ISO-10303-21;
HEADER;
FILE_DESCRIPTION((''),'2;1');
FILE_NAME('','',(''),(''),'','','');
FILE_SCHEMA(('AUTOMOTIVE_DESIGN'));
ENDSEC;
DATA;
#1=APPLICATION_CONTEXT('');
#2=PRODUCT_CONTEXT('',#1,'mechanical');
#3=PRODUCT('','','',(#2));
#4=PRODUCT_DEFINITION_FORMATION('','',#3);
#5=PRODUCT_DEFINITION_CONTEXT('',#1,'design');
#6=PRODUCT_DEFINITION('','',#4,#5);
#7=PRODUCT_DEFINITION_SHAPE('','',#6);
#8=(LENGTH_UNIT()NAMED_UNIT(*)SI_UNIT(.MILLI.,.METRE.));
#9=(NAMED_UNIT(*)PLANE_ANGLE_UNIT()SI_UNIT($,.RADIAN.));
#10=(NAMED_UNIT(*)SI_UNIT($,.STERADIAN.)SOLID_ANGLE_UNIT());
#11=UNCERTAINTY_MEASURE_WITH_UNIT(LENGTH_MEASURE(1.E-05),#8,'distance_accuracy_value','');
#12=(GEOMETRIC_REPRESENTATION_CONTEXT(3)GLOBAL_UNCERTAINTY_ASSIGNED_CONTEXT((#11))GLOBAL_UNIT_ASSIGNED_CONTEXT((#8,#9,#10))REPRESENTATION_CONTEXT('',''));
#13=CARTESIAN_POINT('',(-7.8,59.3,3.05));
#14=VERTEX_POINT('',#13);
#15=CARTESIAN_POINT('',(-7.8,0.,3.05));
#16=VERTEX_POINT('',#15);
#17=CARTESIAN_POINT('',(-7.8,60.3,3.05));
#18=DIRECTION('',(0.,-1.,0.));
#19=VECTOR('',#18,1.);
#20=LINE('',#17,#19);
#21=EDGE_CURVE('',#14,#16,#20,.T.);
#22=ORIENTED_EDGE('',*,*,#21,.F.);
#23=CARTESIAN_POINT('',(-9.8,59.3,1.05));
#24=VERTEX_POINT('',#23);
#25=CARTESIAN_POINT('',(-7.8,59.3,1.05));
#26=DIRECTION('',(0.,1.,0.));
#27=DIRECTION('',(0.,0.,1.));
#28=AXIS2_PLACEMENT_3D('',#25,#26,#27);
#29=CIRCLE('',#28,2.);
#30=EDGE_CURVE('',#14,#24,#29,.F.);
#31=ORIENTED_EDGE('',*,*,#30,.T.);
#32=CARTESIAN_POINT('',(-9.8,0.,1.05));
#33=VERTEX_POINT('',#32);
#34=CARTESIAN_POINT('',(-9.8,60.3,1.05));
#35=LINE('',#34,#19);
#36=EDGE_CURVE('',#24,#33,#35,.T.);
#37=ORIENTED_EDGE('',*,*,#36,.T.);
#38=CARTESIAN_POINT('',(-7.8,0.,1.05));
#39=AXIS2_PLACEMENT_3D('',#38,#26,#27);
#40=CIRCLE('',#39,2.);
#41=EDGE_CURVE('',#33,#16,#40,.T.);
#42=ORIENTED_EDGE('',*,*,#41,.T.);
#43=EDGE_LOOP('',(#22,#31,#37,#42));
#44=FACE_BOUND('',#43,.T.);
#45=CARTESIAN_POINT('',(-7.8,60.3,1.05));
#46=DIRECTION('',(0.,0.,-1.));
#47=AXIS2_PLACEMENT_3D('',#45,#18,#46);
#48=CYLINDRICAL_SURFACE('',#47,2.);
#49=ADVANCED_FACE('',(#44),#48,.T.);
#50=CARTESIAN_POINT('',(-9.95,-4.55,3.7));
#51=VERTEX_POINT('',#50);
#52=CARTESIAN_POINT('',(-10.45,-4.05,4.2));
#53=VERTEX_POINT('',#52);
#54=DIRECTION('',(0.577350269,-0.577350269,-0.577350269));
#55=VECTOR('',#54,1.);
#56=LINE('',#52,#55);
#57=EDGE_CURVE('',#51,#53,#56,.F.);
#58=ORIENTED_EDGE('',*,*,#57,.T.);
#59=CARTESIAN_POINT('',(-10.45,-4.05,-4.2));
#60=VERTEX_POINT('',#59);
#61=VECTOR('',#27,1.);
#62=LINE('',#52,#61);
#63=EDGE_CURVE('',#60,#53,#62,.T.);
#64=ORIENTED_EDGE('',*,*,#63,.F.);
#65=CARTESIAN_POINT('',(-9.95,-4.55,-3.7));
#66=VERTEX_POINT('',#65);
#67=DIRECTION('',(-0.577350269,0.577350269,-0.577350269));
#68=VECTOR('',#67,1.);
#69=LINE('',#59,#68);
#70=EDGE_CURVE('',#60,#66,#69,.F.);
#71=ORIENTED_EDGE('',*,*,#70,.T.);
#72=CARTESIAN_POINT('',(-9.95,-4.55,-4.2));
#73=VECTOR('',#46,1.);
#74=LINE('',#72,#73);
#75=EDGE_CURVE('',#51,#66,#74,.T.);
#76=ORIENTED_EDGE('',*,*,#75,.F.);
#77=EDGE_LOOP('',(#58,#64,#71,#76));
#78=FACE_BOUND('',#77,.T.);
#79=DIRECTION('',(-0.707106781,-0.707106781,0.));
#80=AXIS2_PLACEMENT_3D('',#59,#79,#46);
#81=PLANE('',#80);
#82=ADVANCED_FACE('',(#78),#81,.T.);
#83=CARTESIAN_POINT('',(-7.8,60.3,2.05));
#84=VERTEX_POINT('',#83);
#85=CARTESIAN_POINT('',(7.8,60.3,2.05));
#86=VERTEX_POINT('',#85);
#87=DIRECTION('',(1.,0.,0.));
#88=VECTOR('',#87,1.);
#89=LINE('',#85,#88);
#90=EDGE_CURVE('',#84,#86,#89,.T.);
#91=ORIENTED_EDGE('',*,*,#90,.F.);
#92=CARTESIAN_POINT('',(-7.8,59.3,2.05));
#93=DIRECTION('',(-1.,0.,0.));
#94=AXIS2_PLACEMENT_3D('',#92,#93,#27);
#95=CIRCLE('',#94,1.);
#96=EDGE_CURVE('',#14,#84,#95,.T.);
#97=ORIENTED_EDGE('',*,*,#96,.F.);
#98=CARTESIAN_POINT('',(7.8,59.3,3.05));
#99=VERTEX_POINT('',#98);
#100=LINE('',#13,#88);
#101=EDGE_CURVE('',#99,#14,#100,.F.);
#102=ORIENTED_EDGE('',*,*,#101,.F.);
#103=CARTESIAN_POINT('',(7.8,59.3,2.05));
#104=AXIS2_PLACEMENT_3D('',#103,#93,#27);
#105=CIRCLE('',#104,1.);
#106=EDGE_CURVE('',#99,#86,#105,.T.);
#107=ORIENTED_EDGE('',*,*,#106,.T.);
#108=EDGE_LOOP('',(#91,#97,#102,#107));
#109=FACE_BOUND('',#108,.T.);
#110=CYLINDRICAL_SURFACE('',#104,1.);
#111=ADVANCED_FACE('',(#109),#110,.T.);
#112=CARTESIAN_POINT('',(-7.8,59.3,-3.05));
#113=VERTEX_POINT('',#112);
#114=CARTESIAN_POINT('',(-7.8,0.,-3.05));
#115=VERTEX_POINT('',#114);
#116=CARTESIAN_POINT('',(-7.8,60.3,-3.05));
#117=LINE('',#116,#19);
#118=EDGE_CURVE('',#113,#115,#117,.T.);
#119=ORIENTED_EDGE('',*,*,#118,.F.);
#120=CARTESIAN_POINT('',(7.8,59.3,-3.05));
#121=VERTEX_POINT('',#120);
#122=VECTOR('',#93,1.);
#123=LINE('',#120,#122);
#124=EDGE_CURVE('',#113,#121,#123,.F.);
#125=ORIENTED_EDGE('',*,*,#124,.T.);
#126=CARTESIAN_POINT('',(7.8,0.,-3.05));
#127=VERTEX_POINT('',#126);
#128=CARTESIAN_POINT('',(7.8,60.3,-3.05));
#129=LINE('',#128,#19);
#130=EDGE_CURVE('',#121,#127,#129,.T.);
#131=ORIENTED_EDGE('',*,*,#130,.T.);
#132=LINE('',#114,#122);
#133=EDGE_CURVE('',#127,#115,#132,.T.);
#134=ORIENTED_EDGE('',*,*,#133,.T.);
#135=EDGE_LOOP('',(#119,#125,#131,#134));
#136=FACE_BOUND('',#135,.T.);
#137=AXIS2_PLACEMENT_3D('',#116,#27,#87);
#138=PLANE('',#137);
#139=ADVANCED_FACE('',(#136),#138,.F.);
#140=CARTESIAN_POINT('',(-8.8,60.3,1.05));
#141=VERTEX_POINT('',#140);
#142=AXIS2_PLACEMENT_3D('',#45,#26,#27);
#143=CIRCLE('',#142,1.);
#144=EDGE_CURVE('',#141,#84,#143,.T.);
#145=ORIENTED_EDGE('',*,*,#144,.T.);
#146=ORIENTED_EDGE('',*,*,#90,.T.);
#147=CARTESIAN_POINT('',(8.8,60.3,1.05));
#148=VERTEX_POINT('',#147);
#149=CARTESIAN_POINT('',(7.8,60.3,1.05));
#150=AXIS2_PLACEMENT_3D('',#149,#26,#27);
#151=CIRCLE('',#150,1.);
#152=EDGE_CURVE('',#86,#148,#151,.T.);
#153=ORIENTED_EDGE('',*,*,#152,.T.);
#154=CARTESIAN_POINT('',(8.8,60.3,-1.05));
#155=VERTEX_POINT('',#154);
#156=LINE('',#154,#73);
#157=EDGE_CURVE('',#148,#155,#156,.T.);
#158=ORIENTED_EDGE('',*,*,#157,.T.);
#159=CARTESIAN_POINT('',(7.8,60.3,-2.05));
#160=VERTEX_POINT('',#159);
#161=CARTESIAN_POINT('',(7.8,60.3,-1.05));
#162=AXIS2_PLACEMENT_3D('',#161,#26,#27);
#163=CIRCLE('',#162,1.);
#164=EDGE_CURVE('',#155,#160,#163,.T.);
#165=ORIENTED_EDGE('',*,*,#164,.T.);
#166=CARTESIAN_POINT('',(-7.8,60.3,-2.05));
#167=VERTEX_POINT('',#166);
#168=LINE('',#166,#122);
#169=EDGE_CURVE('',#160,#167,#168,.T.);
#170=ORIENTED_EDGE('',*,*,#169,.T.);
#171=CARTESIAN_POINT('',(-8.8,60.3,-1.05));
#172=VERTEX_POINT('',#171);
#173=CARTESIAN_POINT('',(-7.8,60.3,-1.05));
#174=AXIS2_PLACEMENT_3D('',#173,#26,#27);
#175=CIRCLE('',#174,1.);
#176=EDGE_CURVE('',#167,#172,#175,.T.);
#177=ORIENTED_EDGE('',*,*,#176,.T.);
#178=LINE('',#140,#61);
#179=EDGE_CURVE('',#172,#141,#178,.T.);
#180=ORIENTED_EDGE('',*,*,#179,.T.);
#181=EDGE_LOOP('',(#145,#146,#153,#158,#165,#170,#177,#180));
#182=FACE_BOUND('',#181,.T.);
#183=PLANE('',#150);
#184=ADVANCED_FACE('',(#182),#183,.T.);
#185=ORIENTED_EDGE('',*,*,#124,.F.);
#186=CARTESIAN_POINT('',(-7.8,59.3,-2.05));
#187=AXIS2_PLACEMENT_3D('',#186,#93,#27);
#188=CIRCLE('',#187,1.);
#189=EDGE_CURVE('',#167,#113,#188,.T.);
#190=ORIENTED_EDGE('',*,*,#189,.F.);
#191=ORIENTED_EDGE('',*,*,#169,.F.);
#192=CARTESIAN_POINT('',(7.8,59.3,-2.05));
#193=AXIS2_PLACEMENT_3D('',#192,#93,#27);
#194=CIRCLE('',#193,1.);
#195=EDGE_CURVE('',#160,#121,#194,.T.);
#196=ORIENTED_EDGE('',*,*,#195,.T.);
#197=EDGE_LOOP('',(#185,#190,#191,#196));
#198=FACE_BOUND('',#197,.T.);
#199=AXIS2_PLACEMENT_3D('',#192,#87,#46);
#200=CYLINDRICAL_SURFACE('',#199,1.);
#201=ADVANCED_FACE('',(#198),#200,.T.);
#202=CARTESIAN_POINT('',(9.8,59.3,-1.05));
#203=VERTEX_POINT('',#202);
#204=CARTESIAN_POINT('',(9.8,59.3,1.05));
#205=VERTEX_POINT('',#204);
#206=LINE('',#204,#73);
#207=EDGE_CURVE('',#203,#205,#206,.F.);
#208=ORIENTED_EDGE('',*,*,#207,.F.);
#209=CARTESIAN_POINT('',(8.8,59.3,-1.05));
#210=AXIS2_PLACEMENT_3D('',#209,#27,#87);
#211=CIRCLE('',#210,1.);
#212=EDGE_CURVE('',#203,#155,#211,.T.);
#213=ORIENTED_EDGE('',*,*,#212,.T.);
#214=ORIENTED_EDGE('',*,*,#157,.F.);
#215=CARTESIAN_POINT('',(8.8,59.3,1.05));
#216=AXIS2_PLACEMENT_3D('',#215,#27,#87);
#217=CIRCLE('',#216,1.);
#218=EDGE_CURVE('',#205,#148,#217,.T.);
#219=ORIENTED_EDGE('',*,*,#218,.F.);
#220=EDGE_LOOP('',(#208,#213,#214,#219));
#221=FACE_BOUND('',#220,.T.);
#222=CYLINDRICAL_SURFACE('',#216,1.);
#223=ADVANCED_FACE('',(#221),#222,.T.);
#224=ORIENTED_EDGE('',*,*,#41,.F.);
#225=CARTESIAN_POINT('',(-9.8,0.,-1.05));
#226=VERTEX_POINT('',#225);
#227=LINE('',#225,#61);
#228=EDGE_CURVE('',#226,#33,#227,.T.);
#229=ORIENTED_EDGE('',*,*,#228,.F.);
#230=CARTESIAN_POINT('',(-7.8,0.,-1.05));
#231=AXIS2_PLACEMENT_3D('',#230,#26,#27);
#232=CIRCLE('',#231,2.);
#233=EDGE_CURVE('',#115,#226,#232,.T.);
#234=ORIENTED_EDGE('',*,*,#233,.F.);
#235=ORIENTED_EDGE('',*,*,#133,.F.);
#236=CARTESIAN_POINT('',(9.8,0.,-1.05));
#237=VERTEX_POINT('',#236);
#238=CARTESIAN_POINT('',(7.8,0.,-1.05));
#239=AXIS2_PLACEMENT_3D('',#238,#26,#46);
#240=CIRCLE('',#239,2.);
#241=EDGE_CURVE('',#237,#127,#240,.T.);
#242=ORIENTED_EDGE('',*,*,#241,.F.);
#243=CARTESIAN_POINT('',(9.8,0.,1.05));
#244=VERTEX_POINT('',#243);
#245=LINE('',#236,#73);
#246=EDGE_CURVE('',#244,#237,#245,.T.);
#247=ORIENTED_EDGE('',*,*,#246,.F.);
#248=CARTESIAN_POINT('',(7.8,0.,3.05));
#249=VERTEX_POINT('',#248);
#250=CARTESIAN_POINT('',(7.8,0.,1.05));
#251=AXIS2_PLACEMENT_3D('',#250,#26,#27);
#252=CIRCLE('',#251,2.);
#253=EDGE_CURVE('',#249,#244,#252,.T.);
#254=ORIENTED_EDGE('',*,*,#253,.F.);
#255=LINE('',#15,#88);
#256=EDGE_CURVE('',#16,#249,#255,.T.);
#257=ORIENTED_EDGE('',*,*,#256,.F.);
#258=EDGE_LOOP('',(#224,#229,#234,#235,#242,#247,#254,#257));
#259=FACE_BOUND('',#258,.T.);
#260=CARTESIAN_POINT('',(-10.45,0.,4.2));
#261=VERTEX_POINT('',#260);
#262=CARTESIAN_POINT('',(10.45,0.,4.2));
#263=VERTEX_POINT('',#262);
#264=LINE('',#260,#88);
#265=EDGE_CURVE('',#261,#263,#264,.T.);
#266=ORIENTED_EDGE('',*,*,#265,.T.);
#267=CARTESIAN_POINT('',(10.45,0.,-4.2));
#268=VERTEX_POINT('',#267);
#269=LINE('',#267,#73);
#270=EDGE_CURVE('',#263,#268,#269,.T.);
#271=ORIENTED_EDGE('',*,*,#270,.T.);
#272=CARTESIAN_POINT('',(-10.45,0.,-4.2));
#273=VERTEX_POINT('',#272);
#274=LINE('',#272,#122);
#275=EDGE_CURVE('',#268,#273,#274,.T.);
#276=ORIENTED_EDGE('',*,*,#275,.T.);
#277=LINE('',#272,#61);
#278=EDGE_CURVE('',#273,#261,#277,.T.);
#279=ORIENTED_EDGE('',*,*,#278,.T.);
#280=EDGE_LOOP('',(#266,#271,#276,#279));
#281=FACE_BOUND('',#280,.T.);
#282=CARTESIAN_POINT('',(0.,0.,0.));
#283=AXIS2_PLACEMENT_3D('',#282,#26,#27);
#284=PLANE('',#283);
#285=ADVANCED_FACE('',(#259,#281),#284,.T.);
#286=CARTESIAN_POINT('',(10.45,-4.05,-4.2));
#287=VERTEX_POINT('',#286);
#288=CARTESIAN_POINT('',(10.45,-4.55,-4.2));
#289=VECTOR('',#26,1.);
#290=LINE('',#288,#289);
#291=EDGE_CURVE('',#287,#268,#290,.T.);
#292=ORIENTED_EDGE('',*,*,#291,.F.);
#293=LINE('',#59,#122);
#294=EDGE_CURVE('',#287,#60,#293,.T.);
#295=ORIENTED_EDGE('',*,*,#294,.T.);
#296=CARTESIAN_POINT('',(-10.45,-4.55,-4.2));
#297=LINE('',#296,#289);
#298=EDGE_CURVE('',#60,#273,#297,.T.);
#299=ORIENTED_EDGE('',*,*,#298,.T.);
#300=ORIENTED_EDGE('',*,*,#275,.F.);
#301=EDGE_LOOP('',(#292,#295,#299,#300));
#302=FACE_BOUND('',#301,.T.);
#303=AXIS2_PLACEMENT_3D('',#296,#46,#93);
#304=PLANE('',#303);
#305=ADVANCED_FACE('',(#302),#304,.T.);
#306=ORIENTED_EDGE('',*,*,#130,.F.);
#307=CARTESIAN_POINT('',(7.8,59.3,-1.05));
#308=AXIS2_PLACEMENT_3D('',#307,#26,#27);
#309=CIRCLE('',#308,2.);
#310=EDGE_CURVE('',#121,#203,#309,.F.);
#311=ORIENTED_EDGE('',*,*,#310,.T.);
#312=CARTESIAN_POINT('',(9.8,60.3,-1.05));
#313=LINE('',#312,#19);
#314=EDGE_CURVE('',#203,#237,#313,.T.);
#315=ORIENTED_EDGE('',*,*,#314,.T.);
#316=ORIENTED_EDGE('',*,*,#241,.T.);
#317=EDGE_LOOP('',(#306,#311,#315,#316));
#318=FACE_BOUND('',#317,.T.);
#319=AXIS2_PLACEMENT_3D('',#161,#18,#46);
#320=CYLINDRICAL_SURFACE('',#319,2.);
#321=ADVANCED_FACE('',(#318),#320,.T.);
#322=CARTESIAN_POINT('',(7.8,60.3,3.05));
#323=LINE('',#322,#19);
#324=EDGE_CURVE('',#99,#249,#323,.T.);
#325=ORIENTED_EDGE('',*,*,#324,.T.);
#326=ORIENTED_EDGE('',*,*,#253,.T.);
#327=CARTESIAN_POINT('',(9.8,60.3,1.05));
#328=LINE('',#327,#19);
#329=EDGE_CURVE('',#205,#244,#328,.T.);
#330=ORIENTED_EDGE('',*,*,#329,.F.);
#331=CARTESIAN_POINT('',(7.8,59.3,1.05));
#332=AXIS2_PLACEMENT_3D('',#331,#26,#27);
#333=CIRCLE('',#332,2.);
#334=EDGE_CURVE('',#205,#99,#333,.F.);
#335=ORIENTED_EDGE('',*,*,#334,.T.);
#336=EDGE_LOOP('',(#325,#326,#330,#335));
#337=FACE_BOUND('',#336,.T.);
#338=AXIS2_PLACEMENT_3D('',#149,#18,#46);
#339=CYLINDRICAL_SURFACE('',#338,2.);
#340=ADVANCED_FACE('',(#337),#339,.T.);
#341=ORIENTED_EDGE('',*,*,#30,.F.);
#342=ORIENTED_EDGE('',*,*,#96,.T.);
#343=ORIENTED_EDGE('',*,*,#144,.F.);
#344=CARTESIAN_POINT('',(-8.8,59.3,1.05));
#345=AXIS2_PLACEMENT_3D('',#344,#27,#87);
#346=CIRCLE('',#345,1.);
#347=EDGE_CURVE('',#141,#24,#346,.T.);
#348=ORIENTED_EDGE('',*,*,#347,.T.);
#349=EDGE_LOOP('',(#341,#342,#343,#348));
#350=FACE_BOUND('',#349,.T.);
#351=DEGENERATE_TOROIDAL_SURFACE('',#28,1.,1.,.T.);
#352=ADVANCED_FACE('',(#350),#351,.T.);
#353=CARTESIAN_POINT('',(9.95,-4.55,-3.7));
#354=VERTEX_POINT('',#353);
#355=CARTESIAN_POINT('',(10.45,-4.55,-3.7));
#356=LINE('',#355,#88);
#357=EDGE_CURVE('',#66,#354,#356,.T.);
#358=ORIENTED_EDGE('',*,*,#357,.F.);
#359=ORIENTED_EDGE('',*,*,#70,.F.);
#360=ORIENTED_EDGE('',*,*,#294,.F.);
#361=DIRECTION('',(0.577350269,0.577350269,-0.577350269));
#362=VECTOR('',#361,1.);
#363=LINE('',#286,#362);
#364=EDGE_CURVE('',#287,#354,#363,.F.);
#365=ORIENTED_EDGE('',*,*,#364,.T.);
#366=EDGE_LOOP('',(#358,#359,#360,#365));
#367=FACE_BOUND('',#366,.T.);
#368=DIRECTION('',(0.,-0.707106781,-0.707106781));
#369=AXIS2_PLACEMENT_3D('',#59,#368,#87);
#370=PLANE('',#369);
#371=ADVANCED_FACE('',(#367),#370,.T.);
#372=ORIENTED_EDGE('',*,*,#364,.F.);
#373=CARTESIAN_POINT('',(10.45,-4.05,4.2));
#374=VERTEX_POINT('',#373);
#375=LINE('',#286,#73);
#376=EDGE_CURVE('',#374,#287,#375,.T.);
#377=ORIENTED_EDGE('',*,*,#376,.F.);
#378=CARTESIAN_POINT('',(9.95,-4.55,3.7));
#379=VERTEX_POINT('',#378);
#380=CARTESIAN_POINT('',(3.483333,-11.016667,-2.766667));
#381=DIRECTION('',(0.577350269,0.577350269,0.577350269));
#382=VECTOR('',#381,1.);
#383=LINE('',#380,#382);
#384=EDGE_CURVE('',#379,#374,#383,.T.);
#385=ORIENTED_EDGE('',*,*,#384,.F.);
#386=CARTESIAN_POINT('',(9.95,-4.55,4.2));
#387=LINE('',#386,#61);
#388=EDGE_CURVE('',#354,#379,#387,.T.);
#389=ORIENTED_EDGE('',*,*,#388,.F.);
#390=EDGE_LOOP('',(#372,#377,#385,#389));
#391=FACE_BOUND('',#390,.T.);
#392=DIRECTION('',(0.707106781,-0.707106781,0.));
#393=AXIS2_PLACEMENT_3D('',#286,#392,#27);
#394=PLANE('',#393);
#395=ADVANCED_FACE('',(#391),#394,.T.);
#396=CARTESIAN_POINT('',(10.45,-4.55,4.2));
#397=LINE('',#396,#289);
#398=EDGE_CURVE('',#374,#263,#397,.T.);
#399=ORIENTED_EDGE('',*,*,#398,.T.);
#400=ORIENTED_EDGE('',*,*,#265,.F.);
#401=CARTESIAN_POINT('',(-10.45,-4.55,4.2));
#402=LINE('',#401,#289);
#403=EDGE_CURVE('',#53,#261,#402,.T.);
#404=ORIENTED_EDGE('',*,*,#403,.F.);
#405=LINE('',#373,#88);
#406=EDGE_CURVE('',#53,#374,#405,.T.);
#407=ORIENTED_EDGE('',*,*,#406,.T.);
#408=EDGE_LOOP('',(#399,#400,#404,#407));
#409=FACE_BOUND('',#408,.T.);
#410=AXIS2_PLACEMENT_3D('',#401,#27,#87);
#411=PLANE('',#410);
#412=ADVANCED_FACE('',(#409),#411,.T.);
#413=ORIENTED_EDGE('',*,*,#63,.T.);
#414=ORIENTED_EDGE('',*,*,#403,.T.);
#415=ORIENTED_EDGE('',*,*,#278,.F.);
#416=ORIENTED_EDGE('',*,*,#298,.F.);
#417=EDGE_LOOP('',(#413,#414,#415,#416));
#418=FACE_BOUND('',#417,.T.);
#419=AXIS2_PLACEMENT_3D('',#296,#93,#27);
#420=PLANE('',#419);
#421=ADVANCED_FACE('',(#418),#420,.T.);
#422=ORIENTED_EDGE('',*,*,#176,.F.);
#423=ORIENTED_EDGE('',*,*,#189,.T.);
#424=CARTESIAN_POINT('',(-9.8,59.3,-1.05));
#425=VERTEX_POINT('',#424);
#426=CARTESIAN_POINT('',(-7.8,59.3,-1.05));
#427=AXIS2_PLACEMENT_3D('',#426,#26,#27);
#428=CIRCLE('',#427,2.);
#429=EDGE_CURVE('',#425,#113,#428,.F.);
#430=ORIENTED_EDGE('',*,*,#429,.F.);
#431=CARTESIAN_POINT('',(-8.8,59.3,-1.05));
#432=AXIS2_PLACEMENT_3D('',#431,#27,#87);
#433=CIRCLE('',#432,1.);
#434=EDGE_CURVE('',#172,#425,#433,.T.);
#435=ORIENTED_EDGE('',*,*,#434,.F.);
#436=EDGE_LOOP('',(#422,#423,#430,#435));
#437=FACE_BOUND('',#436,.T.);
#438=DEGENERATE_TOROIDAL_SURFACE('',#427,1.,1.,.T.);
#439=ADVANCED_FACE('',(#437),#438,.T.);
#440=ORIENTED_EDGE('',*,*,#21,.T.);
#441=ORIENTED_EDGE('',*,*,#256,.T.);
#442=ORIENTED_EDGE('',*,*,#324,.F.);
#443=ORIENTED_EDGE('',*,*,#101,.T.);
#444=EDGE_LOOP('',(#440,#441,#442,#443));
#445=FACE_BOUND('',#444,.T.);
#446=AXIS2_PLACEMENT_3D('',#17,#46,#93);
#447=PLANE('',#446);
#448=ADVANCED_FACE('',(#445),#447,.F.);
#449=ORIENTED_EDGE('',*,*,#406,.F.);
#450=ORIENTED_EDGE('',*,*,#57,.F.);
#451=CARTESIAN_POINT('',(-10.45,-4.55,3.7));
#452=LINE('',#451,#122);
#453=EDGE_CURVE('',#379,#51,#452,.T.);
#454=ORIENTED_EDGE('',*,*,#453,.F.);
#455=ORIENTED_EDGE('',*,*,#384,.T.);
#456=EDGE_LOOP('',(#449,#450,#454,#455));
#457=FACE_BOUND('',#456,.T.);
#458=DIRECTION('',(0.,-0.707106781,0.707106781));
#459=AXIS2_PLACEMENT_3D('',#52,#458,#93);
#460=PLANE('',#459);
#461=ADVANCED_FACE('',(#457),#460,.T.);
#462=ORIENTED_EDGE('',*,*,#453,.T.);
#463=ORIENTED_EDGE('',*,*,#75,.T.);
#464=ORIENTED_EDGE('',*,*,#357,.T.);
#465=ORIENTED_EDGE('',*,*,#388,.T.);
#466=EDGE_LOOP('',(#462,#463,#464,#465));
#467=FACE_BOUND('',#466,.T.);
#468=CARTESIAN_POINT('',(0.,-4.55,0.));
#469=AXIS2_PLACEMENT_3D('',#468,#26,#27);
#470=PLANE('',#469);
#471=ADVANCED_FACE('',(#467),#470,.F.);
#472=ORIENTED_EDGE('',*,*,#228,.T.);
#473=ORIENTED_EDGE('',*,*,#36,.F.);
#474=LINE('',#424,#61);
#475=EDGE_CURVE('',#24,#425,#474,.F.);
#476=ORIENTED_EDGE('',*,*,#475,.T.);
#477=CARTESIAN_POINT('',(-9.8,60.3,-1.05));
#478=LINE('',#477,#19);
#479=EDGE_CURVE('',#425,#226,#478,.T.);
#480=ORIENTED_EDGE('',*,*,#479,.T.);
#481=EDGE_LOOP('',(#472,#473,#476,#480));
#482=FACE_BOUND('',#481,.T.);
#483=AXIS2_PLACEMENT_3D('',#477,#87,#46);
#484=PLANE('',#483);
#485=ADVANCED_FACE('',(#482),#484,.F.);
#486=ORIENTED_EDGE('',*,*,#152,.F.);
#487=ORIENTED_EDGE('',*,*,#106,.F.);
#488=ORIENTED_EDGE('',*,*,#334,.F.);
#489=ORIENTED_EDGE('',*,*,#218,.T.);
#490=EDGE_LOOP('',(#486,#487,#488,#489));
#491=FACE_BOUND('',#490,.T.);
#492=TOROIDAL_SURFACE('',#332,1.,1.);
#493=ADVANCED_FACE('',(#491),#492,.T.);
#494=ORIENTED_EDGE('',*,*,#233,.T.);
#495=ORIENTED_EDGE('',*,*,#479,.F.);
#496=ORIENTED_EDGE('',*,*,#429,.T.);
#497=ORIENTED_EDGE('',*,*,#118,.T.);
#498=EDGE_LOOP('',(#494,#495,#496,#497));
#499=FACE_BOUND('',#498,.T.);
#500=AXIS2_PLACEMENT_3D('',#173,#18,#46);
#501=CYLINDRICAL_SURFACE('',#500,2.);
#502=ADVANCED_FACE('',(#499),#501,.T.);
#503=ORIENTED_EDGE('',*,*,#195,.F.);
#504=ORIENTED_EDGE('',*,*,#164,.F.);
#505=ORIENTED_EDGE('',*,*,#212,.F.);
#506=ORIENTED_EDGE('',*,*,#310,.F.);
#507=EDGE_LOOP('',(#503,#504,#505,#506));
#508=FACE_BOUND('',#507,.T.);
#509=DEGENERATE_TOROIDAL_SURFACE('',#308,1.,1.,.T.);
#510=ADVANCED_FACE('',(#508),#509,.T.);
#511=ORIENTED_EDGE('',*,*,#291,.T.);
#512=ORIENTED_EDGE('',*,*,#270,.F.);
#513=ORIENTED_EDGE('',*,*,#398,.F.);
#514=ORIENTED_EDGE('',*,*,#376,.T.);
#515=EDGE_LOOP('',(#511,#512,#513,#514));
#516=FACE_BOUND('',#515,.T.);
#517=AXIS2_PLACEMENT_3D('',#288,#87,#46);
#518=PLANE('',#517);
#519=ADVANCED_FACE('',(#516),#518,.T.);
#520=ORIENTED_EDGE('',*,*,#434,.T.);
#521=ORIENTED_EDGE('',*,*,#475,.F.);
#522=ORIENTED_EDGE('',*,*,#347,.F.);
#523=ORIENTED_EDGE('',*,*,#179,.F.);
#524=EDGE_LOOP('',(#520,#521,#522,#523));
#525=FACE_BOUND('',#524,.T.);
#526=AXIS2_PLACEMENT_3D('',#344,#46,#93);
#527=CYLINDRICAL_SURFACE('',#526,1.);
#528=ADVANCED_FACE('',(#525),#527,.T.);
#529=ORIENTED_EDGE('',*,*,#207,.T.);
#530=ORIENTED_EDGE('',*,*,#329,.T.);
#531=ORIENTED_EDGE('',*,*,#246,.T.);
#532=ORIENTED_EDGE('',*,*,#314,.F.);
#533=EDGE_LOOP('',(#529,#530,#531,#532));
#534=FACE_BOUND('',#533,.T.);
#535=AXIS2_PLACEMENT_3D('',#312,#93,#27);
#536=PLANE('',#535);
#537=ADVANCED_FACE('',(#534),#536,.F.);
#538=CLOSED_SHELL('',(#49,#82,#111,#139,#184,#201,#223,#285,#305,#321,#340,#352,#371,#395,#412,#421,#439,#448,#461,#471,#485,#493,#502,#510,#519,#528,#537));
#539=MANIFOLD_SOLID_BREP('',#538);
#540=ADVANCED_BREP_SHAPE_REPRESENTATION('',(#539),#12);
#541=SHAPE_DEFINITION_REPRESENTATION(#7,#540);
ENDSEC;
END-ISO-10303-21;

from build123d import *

# Parameters (mm, degrees)
BOSS_EXTRUDE1_DEPTH = 60.3
SKETCH2_W           = 20.9
SKETCH2_H           = 8.4
BOSS_EXTRUDE2_DEPTH = 4.55
FILLET1_R           = 1
CHAMFER1_SIZE       = 0.5


with BuildPart() as part:
    # Sketch1 → Boss-Extrude1 (new body)
    with BuildSketch(Plane(origin=(0, 0, 0), x_dir=(1, 0, 0), z_dir=(0, 1, 0))):
        with BuildLine():
            Line((-7.8, 3.05), (7.8, 3.05))
            ThreePointArc((7.8, 3.05), (9.214213562, 2.464213562), (9.8, 1.05))
            Line((9.8, 1.05), (9.8, -1.05))
            ThreePointArc((9.8, -1.05), (9.214213562, -2.464213562), (7.8, -3.05))
            Line((7.8, -3.05), (-7.8, -3.05))
            ThreePointArc((-7.8, -3.05), (-9.214213562, -2.464213562), (-9.8, -1.05))
            Line((-9.8, -1.05), (-9.8, 1.05))
            ThreePointArc((-9.8, 1.05), (-9.214213562, 2.464213562), (-7.8, 3.05))
        make_face()
    extrude(amount=BOSS_EXTRUDE1_DEPTH)

    # Sketch2 → Boss-Extrude2 (add)
    with BuildSketch(Plane(origin=(0, 0, 0), x_dir=(1, 0, 0), z_dir=(0, 1, 0))):
        Rectangle(SKETCH2_W, SKETCH2_H)
    extrude(amount=-BOSS_EXTRUDE2_DEPTH)

    # Fillet1
    fillet1_edges = [part.edges().sort_by_distance(p)[0] for p in [
        (9.214213562, 60.3, -2.464213562),
        (0, 60.3, -3.05),
        (-9.214213562, 60.3, -2.464213562),
        (-9.8, 60.3, 0),
        (-9.214213562, 60.3, 2.464213562),
        (0, 60.3, 3.05),
        (9.214213562, 60.3, 2.464213562),
        (9.8, 60.3, 0),
    ]]
    fillet(fillet1_edges, radius=FILLET1_R)

    # Chamfer1
    chamfer1_edges = [part.edges().sort_by_distance(p)[0] for p in [
        (10.45, -4.55, 0),
        (0, -4.55, 4.2),
        (-10.45, -4.55, 0),
        (0, -4.55, -4.2),
    ]]
    chamfer(chamfer1_edges, length=CHAMFER1_SIZE)


solid = part.part
